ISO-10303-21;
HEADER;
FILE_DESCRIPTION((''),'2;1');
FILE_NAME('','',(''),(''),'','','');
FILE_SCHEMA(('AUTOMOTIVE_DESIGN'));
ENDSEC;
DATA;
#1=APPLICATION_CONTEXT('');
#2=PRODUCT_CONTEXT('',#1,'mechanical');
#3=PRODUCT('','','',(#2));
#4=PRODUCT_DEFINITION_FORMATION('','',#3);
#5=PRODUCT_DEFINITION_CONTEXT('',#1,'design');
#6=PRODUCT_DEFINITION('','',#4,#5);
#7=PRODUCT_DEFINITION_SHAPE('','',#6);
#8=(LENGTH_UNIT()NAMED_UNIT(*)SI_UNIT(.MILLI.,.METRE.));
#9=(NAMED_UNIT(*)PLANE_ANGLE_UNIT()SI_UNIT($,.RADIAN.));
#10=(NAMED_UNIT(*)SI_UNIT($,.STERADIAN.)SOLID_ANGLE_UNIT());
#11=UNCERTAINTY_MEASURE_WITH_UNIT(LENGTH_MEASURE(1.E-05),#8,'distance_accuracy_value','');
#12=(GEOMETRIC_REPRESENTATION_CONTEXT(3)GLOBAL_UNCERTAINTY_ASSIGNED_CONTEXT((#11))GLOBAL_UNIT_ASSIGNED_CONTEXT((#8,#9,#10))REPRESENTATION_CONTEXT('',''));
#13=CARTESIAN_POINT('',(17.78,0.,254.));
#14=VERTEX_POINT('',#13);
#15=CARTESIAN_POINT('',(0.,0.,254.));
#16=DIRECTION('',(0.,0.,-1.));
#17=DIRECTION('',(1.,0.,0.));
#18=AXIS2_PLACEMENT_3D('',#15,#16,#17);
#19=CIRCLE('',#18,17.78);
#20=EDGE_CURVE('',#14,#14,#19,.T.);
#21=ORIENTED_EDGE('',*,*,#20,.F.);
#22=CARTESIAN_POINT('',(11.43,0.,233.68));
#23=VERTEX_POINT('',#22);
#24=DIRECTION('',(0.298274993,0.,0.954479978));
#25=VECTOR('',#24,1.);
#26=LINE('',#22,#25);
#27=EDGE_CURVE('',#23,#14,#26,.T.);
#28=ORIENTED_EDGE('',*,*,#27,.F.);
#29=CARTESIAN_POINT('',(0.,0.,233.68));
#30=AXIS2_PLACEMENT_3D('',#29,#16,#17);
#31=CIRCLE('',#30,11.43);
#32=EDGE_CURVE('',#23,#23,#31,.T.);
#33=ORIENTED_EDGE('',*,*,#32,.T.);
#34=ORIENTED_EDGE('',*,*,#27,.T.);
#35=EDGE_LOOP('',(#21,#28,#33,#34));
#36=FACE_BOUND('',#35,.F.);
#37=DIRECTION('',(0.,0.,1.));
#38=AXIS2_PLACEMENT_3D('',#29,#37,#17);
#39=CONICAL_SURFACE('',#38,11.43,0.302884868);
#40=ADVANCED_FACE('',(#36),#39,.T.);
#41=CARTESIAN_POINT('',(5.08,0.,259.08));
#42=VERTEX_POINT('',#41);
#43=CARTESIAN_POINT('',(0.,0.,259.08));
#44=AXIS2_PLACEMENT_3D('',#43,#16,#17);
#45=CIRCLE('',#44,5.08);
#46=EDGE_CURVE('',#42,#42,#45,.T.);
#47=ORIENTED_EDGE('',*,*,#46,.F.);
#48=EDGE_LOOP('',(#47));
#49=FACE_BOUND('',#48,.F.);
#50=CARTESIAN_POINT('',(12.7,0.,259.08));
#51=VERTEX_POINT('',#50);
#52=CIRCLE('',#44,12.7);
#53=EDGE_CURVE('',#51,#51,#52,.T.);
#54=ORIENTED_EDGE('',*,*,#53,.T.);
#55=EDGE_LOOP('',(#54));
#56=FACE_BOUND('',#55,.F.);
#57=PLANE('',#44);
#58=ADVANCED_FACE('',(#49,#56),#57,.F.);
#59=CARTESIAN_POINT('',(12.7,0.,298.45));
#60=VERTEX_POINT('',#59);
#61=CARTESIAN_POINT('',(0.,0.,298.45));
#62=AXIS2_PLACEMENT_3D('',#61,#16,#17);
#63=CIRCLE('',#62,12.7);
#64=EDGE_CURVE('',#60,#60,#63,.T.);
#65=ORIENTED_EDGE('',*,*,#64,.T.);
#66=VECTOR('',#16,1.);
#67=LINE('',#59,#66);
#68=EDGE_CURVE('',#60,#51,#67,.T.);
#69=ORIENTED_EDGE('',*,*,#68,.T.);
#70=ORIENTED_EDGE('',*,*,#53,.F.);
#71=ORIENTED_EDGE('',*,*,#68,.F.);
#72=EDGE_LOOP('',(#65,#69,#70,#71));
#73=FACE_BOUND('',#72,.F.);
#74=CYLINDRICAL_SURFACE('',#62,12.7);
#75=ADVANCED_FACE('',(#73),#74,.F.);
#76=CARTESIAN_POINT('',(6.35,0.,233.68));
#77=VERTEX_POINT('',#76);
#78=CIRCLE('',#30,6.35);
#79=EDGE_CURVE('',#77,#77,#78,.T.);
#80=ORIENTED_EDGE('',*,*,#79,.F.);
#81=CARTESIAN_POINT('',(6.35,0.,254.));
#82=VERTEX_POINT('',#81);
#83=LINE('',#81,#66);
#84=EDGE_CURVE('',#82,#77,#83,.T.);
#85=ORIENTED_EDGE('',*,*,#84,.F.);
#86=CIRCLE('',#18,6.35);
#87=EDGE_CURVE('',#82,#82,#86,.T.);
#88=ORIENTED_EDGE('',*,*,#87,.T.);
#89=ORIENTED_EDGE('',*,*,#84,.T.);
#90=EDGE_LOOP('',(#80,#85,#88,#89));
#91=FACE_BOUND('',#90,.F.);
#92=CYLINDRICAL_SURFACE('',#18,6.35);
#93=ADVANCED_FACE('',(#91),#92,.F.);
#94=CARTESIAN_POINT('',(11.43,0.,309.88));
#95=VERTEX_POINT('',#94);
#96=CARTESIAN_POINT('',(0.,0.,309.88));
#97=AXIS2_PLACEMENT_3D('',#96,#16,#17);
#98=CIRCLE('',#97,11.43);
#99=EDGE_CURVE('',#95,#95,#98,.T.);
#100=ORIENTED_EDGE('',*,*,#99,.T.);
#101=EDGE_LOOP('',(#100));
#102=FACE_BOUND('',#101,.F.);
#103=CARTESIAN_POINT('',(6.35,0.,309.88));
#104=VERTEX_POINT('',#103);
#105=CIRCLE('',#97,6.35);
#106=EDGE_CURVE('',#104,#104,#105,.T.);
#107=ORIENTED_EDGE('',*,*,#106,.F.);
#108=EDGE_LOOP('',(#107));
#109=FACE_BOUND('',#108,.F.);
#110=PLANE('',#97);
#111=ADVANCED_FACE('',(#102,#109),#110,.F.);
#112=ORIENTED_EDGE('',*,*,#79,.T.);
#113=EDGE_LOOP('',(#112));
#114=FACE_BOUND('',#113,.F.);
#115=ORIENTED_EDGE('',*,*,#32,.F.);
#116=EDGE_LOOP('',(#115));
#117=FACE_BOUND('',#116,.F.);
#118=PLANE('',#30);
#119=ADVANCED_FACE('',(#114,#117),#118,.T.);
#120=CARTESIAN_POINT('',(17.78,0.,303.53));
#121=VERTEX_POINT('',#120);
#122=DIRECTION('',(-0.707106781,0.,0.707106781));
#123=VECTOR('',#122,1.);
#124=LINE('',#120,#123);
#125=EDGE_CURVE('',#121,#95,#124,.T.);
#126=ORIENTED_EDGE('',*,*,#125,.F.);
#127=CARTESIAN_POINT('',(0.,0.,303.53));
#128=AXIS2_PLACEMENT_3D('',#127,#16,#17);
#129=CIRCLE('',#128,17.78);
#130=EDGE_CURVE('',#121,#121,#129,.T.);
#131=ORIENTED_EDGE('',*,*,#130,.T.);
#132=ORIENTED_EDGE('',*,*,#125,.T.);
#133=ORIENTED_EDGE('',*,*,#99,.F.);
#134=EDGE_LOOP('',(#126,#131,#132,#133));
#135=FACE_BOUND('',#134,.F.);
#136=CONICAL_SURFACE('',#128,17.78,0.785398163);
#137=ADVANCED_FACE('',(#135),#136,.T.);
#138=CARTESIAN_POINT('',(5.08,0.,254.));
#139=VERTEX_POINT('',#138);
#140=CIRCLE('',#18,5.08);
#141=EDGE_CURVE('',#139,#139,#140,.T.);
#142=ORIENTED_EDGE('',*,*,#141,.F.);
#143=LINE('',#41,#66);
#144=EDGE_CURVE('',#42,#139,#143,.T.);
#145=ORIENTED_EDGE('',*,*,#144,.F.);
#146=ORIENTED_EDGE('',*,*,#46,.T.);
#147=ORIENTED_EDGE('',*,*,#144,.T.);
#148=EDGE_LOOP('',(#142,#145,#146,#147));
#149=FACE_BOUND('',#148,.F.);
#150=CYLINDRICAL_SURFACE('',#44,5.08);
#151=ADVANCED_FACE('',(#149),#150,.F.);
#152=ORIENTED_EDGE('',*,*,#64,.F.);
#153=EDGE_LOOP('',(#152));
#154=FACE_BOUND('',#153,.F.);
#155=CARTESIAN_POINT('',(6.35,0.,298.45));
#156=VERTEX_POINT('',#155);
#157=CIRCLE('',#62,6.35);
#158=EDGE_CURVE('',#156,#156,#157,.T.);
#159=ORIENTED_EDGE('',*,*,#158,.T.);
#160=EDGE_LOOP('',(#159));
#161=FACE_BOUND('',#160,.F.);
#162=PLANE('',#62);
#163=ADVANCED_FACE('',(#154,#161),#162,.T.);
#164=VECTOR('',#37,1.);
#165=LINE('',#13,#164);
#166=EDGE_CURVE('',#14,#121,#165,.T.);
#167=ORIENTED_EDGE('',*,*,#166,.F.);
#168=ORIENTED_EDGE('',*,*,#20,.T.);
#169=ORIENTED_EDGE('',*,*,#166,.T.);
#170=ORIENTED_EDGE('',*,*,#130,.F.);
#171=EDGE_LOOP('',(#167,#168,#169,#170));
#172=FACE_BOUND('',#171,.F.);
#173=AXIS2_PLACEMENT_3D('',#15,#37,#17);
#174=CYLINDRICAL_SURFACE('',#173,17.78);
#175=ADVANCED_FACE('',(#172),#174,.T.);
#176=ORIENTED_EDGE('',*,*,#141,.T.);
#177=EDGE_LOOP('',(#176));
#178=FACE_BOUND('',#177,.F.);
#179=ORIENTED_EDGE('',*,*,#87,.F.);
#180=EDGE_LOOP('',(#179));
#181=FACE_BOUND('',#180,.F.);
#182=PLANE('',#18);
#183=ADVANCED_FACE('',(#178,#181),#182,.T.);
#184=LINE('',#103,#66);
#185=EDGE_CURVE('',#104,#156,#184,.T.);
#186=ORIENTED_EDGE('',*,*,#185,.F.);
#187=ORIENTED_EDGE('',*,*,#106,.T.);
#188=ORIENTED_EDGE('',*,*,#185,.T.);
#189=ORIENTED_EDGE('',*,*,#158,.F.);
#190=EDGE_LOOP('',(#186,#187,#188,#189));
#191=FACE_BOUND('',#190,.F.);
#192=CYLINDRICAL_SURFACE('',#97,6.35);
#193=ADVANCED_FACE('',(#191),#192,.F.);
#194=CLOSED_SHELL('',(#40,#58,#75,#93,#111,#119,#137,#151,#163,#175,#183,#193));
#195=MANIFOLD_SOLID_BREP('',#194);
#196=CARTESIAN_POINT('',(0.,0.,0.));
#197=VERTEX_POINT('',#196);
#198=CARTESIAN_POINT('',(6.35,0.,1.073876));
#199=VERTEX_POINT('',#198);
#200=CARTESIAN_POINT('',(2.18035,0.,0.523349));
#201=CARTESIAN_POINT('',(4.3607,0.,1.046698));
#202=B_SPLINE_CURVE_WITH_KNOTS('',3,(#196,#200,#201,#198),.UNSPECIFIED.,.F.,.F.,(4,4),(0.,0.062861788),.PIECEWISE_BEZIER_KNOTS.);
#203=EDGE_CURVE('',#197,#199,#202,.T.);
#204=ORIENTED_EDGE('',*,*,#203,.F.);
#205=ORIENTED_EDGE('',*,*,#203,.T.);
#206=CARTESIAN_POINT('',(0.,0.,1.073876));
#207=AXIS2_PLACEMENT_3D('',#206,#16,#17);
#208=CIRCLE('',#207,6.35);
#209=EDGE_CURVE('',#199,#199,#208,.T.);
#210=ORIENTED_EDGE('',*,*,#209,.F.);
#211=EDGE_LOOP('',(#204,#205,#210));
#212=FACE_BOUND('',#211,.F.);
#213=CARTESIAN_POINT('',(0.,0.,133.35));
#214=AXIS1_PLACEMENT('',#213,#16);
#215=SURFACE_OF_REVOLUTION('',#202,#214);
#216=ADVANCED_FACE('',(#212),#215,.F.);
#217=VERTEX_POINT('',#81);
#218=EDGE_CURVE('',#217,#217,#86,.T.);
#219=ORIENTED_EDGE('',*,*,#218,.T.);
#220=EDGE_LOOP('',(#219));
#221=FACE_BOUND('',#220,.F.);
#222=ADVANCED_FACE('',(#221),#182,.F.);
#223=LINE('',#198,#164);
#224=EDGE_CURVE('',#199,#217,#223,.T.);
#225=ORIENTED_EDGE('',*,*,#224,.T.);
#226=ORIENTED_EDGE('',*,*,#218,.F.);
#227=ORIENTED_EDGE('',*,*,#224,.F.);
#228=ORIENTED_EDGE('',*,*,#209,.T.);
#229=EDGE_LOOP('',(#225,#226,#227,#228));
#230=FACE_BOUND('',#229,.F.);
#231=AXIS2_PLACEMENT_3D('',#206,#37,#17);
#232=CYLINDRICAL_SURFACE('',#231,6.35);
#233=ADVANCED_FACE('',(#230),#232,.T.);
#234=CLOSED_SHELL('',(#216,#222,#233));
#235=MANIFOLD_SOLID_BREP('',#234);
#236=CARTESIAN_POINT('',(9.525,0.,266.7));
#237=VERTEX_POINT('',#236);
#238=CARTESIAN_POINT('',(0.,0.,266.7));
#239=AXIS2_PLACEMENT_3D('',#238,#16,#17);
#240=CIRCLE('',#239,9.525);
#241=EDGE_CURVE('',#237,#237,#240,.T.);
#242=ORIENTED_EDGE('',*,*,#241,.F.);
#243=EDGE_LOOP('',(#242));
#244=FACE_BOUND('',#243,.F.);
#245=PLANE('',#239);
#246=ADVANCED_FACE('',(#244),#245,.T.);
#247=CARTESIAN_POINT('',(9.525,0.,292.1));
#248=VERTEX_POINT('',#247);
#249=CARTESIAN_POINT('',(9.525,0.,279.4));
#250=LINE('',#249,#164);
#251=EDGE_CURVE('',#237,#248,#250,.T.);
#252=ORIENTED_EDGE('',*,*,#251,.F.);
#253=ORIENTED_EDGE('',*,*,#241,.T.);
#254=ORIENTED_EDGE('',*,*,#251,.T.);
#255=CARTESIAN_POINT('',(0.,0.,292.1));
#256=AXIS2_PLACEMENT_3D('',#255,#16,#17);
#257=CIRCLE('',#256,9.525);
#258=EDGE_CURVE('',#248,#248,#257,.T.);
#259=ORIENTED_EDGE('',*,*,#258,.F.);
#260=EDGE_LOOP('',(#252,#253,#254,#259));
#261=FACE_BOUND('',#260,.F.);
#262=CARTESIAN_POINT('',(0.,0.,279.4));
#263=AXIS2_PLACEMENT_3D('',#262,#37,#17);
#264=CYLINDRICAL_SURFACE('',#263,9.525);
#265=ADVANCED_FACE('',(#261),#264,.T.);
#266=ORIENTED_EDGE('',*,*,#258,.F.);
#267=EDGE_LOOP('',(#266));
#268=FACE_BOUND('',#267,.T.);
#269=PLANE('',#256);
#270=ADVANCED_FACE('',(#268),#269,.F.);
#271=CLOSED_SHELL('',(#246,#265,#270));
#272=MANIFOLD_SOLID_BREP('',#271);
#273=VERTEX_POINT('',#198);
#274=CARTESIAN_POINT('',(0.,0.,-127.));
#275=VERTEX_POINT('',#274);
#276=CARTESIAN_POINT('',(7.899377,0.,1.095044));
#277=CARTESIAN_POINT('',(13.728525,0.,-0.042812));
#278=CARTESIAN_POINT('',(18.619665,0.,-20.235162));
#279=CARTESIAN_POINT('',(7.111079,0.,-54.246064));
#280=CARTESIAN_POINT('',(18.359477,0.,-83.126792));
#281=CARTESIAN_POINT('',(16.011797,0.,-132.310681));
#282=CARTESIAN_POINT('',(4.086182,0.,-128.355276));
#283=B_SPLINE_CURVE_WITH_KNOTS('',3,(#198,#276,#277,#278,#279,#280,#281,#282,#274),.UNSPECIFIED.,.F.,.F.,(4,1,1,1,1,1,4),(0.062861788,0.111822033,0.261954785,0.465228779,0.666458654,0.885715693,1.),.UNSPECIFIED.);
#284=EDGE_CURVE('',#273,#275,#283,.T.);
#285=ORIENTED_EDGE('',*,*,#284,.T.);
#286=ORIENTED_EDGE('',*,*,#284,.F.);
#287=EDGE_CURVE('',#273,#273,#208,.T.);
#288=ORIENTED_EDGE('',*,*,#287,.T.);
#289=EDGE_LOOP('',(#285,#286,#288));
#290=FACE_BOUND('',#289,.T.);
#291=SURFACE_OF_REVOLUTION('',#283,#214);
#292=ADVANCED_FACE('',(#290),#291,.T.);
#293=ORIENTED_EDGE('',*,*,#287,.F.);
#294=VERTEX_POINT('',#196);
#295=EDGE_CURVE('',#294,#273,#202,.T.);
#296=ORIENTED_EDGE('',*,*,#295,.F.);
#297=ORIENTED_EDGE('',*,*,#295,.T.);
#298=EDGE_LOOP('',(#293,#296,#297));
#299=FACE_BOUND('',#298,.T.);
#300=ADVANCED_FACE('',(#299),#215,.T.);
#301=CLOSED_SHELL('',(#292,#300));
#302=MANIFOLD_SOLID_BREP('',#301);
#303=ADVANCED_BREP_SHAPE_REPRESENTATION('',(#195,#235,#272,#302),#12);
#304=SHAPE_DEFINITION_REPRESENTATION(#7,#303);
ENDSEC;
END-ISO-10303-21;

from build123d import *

# Parameters (mm, degrees)
F0_W = 9.525
F0_H = 25.4


with BuildPart() as f1:
    # F0 (on Front) → F1 (revolve)
    with BuildSketch(Plane.XZ):
        with Locations((4.7625, 279.4)):
            Rectangle(F0_W, F0_H)
    revolve(axis=Axis((0, 0, 133.35), (0, 0, -1)))


with BuildPart() as f2:
    # F0 (on Front) → F2 (revolve)
    with BuildSketch(Plane.XZ):
        with BuildLine():
            Line((0, 254), (0, 0))
            add(Edge.make_bspline(
                [(0, 0), (2.1803499293, 0.5233491017), (4.3606998586, 1.0466982033), (6.35, 1.0738762415)],
                knots=[0, 0, 0, 0, 0.062861788, 0.062861788, 0.062861788, 0.062861788], degree=3))
            Line((6.35, 1.0738762415), (6.35, 233.68))
            Line((6.35, 233.68), (6.35, 254))
            Line((6.35, 254), (5.08, 254))
            Line((5.08, 254), (0, 254))
        make_face()
    revolve(axis=Axis((0, 0, 133.35), (0, 0, -1)))


with BuildPart() as f3:
    # F0 (on Front) → F3 (revolve)
    with BuildSketch(Plane.XZ):
        with BuildLine():
            Line((6.35, -127), (0, -127))
            add(Edge.make_bspline(
                [(6.35, 1.0738762415), (7.8993772063, 1.095044004), (13.7285250597, -0.0428116444), (18.6196647051, -20.235162455), (7.1110792096, -54.2460641548), (18.3594769875, -83.1267920232), (16.0117969629, -132.3106806107), (4.0861819887, -128.3552762073), (0, -127)],
                knots=[0.062861788, 0.062861788, 0.062861788, 0.062861788, 0.1118220326, 0.2619547852, 0.4652287792, 0.666458654, 0.8857156932, 1, 1, 1, 1], degree=3))
            Line((6.35, 1.0738762415), (6.35, -127))
        make_face()
        with BuildLine():
            add(Edge.make_bspline(
                [(0, 0), (2.1803499293, 0.5233491017), (4.3606998586, 1.0466982033), (6.35, 1.0738762415)],
                knots=[0, 0, 0, 0, 0.062861788, 0.062861788, 0.062861788, 0.062861788], degree=3))
            Line((0, 0), (0, -127))
            Line((0, -127), (6.35, -127))
            Line((6.35, -127), (6.35, 1.0738762415))
        make_face()
    revolve(axis=Axis((0, 0, 133.35), (0, 0, -1)))


with BuildPart() as f4:
    # F0 (on Front) → F4 (revolve)
    with BuildSketch(Plane.XZ):
        Polygon((5.08, 259.08), (5.08, 254), (6.35, 254), (6.35, 233.68), (11.43, 233.68), (17.78, 254), (17.78, 303.53), (11.43, 309.88), (6.35, 309.88), (6.35, 298.45), (12.7, 298.45), (12.7, 259.08), align=None)
    revolve(axis=Axis((0, 0, 133.35), (0, 0, -1)))


solid = Compound([f1.part, f2.part, f3.part, f4.part])
